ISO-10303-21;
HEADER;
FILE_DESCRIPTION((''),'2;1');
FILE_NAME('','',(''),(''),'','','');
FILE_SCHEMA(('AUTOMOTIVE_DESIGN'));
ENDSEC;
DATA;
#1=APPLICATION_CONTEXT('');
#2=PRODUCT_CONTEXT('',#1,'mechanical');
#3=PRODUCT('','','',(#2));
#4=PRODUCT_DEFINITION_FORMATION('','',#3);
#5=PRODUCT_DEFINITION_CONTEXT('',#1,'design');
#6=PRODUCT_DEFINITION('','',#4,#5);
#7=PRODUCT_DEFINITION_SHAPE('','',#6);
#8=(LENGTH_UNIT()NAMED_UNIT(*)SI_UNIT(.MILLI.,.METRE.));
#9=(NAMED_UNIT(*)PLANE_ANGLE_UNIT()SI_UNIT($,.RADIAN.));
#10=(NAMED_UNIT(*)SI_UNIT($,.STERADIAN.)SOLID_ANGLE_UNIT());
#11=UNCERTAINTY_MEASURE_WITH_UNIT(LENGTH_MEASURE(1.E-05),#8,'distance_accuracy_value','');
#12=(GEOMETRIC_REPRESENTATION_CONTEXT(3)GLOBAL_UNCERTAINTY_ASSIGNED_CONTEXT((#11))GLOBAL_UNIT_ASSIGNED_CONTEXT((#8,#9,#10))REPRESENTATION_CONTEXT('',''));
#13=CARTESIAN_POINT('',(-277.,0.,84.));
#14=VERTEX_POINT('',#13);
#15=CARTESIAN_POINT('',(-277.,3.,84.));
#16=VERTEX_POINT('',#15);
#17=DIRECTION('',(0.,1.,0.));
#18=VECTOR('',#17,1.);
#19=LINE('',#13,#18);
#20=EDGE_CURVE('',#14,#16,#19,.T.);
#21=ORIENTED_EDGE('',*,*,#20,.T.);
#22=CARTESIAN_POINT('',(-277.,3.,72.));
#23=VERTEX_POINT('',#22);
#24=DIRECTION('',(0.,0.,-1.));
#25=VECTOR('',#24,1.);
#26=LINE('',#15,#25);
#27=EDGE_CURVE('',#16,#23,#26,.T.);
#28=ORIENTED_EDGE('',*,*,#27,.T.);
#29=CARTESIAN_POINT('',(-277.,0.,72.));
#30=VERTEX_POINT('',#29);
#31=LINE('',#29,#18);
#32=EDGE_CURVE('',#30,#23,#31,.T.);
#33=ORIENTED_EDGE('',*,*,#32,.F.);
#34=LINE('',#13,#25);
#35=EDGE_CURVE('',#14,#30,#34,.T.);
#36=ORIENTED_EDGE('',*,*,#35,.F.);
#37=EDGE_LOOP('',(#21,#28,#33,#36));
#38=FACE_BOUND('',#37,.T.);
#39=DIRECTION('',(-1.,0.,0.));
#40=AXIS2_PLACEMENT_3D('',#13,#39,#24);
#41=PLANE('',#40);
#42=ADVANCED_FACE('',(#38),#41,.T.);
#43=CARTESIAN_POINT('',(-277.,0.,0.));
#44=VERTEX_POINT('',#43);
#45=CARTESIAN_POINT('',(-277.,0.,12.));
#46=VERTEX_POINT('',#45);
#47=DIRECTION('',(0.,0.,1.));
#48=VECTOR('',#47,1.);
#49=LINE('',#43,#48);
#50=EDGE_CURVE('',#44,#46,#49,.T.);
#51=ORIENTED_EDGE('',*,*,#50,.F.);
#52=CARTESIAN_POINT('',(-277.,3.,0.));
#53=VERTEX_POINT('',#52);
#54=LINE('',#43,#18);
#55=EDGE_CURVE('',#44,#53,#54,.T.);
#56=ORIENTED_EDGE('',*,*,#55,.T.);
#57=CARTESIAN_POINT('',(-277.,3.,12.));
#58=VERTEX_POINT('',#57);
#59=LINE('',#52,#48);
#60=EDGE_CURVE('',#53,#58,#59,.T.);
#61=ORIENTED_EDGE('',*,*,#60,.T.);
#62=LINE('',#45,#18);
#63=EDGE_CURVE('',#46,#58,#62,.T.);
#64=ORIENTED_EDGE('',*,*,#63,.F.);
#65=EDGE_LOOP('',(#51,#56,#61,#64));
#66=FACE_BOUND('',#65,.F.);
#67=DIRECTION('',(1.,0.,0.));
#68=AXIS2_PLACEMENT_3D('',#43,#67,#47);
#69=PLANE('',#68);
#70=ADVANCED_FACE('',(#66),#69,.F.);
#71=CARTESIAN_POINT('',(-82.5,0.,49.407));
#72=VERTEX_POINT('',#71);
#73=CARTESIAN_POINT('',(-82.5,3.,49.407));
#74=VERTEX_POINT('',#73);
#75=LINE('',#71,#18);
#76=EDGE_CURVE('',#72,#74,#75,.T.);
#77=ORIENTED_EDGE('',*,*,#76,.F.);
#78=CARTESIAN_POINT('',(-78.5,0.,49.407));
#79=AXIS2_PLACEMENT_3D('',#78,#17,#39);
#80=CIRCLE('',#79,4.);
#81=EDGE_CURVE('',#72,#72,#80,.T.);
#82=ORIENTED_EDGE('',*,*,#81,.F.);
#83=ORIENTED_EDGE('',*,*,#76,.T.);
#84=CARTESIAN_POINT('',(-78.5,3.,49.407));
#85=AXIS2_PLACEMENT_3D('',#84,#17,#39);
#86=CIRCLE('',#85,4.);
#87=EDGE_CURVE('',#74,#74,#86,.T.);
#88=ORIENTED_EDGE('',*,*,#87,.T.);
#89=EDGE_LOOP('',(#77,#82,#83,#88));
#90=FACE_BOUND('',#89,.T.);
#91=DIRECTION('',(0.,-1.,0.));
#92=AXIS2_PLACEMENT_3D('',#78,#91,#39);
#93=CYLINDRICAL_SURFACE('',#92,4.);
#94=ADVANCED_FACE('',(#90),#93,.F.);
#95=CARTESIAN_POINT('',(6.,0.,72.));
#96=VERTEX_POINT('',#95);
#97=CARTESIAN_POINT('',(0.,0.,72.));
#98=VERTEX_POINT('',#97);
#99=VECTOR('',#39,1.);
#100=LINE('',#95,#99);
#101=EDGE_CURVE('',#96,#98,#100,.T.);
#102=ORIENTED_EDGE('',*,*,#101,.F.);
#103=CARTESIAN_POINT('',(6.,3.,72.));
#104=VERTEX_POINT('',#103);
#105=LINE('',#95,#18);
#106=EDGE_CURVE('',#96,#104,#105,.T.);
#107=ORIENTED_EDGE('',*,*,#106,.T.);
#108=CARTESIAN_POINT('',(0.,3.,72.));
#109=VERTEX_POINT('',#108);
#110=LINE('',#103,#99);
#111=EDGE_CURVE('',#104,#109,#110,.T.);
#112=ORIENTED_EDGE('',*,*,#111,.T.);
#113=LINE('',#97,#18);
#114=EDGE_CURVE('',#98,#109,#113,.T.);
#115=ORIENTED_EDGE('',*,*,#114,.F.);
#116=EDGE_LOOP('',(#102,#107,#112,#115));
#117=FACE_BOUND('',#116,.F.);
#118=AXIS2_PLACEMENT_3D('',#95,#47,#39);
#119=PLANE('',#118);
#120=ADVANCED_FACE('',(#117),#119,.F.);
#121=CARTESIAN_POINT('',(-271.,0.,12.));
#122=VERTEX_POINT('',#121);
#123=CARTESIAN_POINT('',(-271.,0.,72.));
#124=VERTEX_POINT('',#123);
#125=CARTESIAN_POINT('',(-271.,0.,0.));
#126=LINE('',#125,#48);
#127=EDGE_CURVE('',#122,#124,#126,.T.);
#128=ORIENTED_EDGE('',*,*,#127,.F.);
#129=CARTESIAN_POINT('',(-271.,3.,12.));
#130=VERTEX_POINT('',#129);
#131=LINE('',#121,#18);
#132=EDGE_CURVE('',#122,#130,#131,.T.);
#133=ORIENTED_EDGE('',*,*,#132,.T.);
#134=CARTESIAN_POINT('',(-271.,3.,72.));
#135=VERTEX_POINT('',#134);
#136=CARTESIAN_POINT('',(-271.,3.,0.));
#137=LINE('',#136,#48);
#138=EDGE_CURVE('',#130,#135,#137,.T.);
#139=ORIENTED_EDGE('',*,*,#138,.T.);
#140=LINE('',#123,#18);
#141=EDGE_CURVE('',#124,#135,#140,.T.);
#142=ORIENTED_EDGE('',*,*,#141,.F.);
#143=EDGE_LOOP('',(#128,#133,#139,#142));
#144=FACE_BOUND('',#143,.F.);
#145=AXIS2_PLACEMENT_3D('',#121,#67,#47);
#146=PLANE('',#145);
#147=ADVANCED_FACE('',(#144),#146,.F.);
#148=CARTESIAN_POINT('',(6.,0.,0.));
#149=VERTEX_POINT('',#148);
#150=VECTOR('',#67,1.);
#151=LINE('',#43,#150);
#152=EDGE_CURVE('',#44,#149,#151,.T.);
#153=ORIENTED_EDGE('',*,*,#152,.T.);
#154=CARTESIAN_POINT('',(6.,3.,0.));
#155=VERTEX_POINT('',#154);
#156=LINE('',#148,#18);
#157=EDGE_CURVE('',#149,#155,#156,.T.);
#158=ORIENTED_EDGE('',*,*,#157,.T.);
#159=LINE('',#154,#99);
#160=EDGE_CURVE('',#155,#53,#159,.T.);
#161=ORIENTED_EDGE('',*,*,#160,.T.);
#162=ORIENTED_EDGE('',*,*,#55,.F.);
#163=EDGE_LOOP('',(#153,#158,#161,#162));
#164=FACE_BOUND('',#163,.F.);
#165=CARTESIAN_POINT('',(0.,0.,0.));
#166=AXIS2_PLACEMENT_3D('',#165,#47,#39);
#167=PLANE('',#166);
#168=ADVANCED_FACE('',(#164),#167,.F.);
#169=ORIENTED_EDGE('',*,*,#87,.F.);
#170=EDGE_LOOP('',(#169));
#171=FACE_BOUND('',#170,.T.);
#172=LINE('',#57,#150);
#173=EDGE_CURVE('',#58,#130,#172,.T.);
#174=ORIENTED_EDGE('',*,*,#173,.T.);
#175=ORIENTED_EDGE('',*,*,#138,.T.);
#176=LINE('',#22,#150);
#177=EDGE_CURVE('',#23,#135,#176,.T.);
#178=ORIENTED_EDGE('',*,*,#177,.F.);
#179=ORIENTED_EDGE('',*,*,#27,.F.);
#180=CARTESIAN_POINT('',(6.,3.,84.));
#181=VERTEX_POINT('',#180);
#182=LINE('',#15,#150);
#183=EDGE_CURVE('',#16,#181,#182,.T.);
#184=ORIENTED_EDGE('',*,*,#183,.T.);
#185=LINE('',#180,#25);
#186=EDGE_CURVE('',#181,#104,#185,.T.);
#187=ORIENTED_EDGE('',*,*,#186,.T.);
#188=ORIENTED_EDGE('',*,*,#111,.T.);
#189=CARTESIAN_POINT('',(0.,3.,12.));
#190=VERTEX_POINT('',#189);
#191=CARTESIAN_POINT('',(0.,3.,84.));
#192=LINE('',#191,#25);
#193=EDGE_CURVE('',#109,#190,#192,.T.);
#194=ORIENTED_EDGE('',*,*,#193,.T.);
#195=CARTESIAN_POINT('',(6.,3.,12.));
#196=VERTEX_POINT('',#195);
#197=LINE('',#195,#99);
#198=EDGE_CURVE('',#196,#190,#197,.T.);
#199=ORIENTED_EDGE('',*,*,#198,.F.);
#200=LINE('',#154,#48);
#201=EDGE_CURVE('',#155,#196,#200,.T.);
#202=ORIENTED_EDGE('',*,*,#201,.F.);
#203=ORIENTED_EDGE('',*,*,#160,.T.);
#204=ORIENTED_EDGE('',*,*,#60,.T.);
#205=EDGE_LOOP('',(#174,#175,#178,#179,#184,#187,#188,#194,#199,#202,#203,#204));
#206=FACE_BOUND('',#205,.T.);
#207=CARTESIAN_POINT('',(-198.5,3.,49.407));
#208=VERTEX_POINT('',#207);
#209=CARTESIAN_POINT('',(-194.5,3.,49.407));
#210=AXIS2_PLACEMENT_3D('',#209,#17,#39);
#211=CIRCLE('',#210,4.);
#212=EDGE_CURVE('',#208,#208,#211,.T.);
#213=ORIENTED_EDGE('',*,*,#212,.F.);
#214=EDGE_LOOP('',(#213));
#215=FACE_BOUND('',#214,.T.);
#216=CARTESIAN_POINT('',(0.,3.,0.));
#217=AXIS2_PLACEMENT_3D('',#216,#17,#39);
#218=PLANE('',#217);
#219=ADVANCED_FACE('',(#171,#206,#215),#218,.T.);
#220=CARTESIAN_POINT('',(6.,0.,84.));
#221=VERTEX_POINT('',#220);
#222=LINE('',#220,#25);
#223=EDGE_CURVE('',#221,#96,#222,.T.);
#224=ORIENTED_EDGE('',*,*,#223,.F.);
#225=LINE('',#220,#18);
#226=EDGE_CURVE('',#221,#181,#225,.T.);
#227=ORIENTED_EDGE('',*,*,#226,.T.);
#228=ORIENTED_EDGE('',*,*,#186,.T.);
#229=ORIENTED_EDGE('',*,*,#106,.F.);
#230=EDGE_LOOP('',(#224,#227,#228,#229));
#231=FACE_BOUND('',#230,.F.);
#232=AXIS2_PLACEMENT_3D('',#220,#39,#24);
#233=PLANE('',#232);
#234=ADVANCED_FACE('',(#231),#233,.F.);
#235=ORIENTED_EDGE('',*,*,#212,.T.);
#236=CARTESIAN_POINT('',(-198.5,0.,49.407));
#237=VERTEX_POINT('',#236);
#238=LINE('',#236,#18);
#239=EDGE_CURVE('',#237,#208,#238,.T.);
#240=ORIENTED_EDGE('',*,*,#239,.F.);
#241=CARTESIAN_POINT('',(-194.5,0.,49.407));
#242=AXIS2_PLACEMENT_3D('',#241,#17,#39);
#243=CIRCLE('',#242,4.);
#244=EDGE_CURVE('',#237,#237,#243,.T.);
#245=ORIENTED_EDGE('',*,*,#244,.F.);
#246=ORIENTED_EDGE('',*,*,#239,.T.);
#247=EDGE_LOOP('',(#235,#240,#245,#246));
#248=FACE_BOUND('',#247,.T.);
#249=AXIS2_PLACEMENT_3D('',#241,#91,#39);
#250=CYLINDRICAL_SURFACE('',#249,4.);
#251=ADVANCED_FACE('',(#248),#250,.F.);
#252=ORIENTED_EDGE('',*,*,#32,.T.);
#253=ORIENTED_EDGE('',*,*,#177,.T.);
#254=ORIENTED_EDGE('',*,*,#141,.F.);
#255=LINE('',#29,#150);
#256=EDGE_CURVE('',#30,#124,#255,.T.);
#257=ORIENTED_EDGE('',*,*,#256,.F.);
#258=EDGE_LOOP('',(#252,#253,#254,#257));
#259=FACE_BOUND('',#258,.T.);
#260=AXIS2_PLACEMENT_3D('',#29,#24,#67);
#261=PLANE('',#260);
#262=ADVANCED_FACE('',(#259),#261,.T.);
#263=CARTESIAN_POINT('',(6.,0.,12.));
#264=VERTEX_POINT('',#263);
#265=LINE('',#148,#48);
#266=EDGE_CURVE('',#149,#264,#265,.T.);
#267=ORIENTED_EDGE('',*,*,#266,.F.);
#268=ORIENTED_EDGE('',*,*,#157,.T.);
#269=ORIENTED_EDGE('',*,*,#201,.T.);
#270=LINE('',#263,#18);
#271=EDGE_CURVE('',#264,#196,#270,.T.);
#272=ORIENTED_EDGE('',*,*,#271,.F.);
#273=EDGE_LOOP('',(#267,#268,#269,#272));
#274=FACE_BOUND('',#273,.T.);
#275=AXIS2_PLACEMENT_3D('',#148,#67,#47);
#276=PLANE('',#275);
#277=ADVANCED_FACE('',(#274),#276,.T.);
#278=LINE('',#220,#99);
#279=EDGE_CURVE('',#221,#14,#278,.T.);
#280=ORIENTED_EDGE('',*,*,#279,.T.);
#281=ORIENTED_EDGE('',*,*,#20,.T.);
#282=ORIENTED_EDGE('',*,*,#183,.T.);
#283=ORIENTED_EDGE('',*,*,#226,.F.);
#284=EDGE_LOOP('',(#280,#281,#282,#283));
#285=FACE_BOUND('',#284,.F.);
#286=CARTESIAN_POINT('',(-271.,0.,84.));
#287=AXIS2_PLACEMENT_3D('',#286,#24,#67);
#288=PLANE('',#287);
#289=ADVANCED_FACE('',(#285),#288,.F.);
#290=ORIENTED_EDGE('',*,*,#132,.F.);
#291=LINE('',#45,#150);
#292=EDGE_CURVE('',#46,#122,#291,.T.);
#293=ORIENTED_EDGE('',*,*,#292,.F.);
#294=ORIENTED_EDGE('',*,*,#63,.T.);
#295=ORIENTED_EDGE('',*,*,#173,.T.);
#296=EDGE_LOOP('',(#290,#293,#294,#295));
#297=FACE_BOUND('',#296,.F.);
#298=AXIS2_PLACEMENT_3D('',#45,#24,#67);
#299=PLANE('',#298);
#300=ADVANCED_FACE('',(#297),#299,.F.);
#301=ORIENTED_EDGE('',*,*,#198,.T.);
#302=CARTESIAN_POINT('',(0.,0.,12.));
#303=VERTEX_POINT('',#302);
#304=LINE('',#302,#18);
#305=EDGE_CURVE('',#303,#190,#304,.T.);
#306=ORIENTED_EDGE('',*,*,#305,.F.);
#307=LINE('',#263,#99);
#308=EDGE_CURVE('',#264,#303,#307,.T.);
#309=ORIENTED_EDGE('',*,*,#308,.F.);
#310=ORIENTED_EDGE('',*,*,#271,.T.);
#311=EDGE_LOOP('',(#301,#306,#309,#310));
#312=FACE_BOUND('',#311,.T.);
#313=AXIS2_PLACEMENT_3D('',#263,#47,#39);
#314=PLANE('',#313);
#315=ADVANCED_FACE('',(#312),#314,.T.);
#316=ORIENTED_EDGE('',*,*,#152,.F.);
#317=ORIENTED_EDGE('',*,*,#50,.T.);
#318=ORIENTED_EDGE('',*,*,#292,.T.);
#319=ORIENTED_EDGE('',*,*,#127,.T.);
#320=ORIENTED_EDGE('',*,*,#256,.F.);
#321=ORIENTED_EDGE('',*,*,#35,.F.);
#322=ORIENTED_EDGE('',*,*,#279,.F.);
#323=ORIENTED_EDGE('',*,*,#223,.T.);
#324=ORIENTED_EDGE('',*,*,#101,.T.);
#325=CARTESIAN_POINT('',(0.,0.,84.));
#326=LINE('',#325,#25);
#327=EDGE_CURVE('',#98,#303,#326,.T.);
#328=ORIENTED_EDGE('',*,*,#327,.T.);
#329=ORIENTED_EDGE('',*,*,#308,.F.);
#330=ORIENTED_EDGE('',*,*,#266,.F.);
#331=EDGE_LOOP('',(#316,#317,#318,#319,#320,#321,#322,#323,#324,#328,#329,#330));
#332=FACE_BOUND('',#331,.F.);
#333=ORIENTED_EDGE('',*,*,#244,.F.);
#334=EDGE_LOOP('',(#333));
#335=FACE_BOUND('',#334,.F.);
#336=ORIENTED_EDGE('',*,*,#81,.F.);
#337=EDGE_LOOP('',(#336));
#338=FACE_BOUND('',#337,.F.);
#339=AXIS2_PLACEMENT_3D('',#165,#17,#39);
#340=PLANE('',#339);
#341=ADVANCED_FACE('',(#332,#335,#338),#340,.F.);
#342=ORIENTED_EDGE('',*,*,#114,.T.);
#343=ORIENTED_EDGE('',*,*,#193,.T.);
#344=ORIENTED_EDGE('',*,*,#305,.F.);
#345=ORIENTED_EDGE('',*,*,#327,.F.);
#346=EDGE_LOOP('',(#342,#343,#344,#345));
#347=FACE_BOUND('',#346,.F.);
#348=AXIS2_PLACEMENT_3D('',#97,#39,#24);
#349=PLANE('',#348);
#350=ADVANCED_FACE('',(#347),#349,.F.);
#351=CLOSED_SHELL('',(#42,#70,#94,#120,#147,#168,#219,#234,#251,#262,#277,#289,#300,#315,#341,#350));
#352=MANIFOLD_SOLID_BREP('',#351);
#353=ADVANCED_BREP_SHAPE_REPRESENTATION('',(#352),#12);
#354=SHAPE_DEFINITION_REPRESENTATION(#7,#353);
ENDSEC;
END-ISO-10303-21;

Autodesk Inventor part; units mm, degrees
ref_plane "YZ Plane" through (0, 0, 0) normal (1, 0, 0) x (0, 1, 0)
ref_plane "XZ Plane" through (0, 0, 0) normal (0, 1, 0) x (-1, 0, 0)
ref_plane "XY Plane" through (0, 0, 0) normal (0, 0, 1) x (1, 0, 0)
sketch "Sketch1" plane through (0, 0, 0) normal (0, 1, 0) x (-1, 0, 0)
  line L0 (0, 0) -> (271, 0)
  line L1 (271, 0) -> (271, 84)
  line L2 (271, 84) -> (0, 84)
  line L3 (0, 84) -> (0, 0)
  line L4 (135.5, 84) -> (135.5, 0) construction
  line L5 (0, 84) -> (-6, 84)
  line L6 (-6, 84) -> (-6, 72)
  line L7 (-6, 72) -> (0, 72)
  line L8 (0, 72) -> (0, 84)
  line L9 (0, 0) -> (-6, 0)
  line L10 (-6, 0) -> (-6, 12)
  line L11 (-6, 12) -> (0, 12)
  line L12 (0, 12) -> (0, 0)
  line L13 (271, 84) -> (271, 0)
  line L14 (271, 84) -> (277, 84)
  line L15 (277, 84) -> (277, 72)
  line L16 (277, 72) -> (271, 72)
  line L17 (271, 72) -> (271, 84)
  line L18 (271, 0) -> (277, 0)
  line L19 (277, 0) -> (277, 12)
  line L20 (277, 12) -> (271, 12)
  line L21 (271, 12) -> (271, 0)
  circle A0 centre (194.5, 49.407) radius 4
  circle A1 centre (78.5, 49.407) radius 4
  line L22 (194.5, 49.407) -> (78.5, 49.407) construction
  dimension "d0" = 271
  dimension "d1" = 84
  dimension "d2" = 6
  dimension "d3" = 12
  dimension "d4" = 6
  dimension "d5" = 12
  dimension "d8" = 8
  dimension "d9" = 76.5
  dimension "d10" = 8
  dimension "d11" = 116
  dimension "d13" = 34.593
extrude "Extrusion1" add sketch "Sketch1" along normal blind 3
properties part number "flipper-support"
